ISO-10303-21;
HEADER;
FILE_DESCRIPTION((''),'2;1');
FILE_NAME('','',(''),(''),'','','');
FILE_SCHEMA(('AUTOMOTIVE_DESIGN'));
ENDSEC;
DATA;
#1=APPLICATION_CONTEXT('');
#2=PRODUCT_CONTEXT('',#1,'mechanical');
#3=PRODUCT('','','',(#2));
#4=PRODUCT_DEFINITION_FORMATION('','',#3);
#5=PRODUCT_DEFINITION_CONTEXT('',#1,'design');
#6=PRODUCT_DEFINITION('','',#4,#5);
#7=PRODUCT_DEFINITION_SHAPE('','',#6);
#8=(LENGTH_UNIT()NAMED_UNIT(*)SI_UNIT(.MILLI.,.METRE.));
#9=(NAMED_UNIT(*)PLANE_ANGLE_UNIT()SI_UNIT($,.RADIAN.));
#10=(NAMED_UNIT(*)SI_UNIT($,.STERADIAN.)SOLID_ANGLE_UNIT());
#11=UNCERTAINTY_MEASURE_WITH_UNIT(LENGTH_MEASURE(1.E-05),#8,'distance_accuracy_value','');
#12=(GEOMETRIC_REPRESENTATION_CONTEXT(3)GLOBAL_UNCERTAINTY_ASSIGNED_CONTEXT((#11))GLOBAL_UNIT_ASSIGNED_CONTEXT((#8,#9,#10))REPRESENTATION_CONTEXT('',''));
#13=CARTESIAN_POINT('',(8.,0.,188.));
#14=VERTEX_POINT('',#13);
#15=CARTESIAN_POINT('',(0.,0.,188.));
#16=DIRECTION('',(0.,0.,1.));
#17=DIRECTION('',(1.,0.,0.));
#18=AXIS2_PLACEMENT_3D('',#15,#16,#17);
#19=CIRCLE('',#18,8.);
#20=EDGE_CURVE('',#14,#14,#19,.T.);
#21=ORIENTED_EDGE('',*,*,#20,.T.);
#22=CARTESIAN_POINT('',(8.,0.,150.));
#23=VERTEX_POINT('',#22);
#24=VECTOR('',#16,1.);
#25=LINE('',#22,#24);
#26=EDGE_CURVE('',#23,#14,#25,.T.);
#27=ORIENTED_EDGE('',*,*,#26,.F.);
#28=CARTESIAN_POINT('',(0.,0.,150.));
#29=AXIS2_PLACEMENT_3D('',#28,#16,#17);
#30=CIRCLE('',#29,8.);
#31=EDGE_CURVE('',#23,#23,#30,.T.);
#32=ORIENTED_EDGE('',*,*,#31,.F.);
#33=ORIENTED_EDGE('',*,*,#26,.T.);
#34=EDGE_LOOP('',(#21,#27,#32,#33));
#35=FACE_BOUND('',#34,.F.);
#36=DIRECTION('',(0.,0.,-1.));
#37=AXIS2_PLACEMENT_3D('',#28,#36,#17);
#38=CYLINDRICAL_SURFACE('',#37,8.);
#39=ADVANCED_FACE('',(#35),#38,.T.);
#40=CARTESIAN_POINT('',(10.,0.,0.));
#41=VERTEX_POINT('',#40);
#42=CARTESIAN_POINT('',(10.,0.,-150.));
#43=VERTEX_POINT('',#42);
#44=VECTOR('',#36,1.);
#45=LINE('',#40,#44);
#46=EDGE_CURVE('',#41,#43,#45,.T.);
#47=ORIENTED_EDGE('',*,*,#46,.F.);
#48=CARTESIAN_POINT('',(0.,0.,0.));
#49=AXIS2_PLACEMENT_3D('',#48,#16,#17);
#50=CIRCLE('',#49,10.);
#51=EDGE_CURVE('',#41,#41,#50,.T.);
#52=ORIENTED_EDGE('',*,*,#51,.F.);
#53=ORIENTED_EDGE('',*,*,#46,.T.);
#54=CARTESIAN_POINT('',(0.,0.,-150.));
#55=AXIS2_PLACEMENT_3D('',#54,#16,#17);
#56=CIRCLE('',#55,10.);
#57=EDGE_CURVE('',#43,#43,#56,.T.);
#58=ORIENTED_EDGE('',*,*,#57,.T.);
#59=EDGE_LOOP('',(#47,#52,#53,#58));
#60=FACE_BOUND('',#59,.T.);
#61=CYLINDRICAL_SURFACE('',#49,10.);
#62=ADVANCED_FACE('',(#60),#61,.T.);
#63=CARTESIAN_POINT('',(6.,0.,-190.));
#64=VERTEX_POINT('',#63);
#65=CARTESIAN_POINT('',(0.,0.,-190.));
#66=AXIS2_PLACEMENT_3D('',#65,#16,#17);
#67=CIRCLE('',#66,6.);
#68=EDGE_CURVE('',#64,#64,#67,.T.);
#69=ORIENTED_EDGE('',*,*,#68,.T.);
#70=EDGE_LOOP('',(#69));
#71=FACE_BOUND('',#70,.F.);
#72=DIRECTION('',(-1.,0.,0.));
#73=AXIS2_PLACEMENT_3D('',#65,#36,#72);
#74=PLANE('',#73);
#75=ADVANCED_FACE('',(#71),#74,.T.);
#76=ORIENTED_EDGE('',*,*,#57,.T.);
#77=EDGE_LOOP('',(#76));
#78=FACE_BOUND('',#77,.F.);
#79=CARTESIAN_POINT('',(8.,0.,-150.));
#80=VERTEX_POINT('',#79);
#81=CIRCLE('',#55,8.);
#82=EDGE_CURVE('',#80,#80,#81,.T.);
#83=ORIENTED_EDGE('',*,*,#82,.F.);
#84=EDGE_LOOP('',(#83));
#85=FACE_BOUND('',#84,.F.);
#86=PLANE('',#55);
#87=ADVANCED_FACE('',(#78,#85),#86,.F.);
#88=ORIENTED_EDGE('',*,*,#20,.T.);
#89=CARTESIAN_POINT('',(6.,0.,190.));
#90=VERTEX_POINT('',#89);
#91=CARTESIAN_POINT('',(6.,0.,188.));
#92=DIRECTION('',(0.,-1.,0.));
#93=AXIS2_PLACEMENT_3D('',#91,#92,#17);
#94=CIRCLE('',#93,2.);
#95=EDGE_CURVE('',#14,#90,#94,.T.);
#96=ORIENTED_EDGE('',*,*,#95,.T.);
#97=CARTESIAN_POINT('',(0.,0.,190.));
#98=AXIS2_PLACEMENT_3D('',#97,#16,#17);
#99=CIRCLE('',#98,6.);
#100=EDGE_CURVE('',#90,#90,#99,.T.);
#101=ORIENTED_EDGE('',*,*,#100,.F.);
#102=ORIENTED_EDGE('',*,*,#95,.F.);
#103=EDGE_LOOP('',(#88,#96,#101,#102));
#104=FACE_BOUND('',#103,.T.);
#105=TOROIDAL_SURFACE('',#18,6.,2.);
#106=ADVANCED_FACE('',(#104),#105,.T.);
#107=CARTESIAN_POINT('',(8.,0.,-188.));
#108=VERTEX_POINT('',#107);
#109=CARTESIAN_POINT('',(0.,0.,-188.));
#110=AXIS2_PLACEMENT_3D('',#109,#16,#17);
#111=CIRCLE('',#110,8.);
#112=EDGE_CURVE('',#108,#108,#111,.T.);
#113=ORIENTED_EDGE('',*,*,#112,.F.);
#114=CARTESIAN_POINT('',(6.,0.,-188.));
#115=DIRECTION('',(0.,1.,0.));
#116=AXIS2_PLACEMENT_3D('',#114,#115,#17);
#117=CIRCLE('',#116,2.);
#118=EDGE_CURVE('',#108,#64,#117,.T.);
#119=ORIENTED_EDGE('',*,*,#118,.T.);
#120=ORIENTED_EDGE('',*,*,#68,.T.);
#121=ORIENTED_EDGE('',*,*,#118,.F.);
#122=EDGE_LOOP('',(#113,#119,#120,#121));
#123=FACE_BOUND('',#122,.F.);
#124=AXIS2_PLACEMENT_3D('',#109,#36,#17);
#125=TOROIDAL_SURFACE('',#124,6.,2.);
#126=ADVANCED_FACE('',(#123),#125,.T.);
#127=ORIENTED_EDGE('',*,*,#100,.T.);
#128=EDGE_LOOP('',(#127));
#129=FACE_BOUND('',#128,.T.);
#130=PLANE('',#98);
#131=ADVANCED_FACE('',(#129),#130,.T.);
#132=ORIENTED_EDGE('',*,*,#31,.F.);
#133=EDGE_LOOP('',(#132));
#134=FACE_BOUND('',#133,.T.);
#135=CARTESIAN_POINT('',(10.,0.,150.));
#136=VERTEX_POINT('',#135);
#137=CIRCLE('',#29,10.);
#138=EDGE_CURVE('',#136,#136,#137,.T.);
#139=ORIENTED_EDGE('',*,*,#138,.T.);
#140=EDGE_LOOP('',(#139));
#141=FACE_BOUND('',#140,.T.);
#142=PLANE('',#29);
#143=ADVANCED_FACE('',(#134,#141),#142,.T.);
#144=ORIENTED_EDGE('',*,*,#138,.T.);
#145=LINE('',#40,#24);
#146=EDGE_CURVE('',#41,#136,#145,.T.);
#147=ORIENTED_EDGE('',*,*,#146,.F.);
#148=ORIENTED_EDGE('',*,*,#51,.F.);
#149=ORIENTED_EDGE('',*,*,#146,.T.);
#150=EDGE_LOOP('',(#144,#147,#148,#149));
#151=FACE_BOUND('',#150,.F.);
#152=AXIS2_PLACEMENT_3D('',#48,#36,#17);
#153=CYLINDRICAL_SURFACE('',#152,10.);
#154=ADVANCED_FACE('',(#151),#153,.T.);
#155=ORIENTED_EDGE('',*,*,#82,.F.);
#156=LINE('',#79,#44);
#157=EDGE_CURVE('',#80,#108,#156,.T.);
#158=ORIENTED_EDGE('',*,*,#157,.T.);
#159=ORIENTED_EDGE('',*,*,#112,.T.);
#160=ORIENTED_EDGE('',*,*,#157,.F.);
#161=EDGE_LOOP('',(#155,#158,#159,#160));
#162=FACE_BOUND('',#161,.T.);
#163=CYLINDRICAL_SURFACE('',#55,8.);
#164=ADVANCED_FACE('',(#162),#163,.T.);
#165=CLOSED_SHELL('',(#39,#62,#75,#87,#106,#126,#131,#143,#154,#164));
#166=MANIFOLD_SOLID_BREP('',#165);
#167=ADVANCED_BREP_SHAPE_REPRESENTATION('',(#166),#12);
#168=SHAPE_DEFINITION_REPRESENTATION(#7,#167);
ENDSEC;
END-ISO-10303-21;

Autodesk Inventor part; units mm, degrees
ref_plane "YZ Plane" through (0, 0, 0) normal (1, 0, 0) x (0, 1, 0)
ref_plane "XZ Plane" through (0, 0, 0) normal (0, 1, 0) x (-1, 0, 0)
ref_plane "XY Plane" through (0, 0, 0) normal (0, 0, 1) x (1, 0, 0)
sketch "Esboço1" plane through (0, 0, 0) normal (0, 0, 1) x (1, 0, 0)
  circle A0 centre (0, 0) radius 10
  dimension "d0" = 20
extrude "Extrusão1" add sketch "Esboço1" along normal mid plane 300
sketch "Esboço2" plane through (0, 0, 150) normal (0, 0, 1) x (1, 0, 0)
  circle A0 centre (0, 0) radius 8
  dimension "d3" = 16
extrude "Extrusão2" add sketch "Esboço2" along normal blind 40
fillet "Arredondamento1" radius 2 1 edges at (-8, 0, 190)
mirror "Espelhamento1" about plane through (0, 0, 0) normal (0, 0, 1) of "Extrusão2", "Arredondamento1"
properties part number "Haste da Morsa"
